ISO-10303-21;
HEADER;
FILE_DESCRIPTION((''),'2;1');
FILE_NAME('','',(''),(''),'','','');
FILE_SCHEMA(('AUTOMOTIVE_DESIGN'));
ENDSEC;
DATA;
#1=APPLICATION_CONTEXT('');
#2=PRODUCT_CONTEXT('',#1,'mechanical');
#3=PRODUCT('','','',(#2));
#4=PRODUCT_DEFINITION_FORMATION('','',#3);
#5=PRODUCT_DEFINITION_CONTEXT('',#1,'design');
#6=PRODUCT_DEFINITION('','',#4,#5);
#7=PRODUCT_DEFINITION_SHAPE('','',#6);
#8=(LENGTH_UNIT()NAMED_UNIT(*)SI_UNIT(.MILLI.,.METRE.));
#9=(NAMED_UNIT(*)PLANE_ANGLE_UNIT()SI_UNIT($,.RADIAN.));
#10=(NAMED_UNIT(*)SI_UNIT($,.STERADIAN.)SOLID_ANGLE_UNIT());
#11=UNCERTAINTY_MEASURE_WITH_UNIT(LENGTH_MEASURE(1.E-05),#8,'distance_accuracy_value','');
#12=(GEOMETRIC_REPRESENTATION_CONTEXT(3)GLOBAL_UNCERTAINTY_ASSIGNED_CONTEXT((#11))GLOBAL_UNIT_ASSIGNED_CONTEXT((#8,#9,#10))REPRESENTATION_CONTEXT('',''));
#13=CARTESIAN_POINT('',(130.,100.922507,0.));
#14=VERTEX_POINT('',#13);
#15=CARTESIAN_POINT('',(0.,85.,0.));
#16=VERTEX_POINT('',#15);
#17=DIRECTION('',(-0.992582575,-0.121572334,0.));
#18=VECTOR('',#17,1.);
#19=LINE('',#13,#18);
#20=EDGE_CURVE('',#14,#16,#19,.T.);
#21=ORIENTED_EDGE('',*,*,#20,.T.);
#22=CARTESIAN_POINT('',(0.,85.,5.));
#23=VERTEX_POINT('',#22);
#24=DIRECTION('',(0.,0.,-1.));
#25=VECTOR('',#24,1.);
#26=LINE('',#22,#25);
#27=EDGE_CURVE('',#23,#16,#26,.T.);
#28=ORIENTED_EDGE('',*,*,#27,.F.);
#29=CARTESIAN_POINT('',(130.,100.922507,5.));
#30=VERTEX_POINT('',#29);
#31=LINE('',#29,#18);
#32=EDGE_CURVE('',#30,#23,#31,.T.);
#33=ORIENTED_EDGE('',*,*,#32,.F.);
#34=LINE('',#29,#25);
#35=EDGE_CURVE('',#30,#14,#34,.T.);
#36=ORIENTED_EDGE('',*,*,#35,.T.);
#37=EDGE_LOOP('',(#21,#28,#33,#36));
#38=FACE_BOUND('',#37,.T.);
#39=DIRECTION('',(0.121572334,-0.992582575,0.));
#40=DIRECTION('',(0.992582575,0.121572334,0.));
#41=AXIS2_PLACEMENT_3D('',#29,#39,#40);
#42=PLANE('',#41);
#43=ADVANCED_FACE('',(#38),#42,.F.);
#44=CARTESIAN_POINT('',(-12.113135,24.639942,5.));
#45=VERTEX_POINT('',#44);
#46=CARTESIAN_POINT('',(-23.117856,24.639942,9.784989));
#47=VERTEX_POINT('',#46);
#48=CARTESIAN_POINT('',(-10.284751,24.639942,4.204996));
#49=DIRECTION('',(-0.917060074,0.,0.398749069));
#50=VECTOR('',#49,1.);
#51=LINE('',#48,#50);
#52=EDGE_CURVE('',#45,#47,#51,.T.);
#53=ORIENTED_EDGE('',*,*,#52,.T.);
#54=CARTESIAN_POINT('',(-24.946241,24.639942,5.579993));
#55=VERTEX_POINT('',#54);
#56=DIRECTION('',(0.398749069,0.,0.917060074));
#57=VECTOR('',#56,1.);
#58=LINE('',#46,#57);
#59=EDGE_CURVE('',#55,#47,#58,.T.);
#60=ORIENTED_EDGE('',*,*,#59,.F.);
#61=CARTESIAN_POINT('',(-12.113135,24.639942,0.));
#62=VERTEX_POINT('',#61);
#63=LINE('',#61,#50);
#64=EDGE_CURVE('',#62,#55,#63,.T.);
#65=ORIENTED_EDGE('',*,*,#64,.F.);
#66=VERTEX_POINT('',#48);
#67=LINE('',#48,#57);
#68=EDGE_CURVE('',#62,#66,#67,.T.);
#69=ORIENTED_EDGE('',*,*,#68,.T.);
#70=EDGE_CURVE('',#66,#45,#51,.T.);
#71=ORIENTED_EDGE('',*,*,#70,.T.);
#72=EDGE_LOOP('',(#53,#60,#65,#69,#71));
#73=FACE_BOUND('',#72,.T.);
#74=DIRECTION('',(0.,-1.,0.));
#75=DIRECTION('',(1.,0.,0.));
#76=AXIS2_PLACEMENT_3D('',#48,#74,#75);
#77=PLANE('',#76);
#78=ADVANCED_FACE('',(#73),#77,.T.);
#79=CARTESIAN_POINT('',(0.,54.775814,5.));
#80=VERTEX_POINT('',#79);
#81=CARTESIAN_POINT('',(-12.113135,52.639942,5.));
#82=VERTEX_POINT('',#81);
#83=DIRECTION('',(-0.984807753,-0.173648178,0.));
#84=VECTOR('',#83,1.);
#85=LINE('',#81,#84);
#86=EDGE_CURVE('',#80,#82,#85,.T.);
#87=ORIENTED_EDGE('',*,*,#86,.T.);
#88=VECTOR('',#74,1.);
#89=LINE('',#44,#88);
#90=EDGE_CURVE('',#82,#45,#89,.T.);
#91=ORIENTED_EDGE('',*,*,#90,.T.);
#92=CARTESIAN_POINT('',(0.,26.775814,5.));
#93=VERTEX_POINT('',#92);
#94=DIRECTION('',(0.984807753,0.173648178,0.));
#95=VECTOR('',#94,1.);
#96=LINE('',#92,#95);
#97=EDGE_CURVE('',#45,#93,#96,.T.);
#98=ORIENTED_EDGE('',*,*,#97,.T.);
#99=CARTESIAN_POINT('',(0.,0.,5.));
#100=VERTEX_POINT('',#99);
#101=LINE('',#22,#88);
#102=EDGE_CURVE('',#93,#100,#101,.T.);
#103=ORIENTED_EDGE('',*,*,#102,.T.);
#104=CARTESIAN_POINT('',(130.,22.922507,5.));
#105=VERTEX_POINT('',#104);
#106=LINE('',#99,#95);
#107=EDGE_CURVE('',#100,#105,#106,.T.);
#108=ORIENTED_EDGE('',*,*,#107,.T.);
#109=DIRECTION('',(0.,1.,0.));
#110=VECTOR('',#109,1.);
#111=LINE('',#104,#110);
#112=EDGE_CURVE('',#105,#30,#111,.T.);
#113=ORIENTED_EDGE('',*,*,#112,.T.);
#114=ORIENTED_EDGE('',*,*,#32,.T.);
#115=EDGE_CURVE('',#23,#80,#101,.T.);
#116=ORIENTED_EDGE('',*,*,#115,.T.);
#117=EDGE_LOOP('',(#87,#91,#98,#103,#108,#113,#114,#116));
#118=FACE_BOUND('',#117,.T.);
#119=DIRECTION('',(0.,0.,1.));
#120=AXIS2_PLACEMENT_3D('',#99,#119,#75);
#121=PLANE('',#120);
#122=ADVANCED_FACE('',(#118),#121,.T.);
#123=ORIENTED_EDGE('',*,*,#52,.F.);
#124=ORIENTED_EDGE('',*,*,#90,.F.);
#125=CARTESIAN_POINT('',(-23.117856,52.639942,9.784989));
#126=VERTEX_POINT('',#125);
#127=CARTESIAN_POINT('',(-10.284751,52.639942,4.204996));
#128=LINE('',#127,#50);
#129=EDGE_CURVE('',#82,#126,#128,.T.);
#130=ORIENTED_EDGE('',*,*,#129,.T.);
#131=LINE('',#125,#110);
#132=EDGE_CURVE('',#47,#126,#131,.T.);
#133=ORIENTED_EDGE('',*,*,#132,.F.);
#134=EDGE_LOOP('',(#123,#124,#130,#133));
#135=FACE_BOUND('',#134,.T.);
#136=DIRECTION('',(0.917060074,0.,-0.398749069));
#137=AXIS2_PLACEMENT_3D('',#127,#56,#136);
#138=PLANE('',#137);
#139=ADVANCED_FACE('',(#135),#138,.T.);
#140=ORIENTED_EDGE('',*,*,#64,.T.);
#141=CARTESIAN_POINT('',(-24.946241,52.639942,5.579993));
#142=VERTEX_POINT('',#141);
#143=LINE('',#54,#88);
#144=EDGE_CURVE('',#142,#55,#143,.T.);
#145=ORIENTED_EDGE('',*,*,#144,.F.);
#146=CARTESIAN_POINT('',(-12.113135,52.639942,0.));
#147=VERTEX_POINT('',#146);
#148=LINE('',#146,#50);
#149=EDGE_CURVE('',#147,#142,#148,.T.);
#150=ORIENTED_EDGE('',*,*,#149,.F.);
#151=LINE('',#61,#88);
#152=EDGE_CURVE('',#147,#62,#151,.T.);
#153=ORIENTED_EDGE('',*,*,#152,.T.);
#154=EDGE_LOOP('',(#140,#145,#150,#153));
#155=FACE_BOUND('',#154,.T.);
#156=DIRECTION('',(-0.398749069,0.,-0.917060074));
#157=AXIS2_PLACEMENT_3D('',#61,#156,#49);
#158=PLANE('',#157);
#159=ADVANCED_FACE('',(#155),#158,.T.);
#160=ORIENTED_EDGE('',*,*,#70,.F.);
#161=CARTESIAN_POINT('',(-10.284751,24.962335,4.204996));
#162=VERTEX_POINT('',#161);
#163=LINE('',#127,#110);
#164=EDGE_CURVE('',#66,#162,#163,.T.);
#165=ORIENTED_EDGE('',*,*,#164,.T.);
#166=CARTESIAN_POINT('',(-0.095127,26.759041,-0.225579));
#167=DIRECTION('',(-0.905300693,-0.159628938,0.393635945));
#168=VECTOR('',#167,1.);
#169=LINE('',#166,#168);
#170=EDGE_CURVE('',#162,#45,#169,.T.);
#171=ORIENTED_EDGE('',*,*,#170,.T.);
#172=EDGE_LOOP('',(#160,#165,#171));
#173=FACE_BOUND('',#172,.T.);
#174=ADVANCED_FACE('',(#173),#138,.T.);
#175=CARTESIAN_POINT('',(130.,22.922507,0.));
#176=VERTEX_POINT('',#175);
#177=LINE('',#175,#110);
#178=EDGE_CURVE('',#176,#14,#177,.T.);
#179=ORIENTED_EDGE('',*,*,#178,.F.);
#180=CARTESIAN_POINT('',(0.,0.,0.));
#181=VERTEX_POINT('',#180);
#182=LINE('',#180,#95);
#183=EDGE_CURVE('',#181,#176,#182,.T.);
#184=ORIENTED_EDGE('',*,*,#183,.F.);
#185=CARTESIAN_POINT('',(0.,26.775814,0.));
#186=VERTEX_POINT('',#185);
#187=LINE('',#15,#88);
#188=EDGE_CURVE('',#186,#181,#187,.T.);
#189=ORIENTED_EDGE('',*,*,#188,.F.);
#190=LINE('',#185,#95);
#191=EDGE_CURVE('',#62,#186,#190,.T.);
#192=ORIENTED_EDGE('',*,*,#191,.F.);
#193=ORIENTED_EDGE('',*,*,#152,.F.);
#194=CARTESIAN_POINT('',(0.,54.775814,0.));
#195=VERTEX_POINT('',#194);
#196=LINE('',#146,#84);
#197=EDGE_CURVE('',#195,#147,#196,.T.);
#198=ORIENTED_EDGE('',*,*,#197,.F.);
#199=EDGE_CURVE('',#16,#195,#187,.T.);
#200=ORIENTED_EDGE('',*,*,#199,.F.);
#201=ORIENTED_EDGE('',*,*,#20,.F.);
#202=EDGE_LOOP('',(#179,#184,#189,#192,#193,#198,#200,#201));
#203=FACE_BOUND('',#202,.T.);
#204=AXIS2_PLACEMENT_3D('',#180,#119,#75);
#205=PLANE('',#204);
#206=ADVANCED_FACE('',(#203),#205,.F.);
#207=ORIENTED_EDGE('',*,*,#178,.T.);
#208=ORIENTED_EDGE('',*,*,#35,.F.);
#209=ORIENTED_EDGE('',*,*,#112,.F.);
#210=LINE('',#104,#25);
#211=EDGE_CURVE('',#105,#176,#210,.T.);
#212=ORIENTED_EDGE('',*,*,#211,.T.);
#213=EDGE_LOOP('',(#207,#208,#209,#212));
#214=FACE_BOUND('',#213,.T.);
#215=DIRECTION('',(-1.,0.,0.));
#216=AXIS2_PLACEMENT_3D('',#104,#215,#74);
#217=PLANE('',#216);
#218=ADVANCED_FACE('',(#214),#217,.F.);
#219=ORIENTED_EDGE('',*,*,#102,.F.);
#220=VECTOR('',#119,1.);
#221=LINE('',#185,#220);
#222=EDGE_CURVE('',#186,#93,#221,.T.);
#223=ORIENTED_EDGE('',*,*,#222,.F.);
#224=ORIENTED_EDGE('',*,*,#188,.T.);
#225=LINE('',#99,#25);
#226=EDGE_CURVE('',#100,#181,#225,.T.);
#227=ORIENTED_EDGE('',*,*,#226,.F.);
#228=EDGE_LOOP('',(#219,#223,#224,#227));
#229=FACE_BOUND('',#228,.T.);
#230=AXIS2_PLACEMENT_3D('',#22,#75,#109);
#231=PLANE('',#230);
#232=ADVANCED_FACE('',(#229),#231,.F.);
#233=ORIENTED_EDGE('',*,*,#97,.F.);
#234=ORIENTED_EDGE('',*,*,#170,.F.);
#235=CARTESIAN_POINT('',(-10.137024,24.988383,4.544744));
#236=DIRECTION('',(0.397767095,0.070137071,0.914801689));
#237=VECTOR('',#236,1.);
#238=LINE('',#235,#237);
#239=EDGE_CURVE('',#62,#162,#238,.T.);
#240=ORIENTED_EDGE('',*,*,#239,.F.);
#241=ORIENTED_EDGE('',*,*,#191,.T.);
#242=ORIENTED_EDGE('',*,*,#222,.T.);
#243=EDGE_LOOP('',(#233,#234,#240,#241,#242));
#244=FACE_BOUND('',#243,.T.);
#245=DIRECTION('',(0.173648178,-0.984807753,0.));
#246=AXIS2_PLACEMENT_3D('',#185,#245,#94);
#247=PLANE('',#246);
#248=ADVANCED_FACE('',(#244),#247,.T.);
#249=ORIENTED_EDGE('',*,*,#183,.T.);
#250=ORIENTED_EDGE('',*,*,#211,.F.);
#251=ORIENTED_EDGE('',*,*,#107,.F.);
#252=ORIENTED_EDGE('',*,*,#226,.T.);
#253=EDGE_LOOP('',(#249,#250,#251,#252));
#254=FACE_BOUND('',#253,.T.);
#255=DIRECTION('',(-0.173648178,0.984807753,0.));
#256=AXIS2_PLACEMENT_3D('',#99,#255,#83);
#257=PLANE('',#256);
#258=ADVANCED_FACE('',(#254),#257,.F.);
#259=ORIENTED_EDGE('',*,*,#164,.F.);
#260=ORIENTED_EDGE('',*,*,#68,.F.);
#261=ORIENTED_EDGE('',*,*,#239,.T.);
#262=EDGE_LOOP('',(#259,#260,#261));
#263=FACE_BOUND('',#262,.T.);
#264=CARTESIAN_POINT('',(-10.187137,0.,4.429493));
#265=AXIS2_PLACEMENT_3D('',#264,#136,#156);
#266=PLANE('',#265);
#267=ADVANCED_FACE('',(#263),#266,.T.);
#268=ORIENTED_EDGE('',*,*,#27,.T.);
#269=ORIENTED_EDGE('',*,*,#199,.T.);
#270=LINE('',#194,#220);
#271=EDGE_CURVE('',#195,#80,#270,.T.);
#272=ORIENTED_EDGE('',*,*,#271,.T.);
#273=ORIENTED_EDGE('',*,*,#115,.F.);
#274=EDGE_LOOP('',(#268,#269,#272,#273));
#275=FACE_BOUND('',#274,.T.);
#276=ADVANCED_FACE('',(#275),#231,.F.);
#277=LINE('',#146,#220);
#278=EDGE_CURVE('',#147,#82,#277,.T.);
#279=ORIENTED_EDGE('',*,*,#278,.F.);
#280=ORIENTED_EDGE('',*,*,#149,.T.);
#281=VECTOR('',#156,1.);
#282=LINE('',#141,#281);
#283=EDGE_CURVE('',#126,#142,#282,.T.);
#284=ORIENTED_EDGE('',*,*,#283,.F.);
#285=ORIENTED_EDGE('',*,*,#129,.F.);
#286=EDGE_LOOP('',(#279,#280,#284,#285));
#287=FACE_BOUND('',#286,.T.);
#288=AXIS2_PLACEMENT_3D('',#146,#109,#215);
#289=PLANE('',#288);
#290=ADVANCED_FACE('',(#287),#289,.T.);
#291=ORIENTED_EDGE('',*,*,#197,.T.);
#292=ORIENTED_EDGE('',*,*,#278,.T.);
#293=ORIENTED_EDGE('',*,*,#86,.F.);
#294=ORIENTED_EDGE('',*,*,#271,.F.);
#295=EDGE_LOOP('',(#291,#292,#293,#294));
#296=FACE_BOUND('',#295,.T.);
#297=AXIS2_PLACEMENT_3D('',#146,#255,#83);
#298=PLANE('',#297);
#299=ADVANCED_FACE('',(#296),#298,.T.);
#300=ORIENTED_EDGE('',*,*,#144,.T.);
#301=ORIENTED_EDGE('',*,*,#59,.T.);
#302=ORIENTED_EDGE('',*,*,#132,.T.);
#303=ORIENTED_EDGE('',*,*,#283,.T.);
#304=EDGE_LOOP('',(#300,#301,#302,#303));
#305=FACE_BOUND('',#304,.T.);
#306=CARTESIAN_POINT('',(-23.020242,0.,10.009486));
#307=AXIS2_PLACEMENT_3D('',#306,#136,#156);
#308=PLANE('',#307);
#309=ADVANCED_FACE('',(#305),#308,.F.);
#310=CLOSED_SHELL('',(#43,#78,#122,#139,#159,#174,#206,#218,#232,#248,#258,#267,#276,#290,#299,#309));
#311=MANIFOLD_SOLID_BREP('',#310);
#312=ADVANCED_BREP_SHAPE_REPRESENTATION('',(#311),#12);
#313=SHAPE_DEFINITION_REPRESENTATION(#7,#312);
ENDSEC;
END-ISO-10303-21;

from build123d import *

# Parameters (mm, degrees)
RESSALTO_EXTRUS_O1_DEPTH      = 5
RESSALTO_EXTRUS_O2_DEPTH      = 5
RESSALTO_EXTRUS_O3_DEPTH      = 12
RESSALTO_EXTRUS_O3_DEPTH_BACK = 1.993745
ESBO_O4_W                     = 28
ESBO_O4_H                     = 4.585300372


with BuildPart() as part:
    # Esboço1 → Ressalto-extrusão1 (new body)
    with BuildSketch(Plane.XY):
        Polygon((0, 85), (0, 0), (130, 22.922507492), (130, 100.922507492), align=None)
    extrude(amount=RESSALTO_EXTRUS_O1_DEPTH)

    # Esboço3 → Ressalto-extrusão2 (add)
    with BuildSketch(Plane.XY.offset(5)):
        Polygon((-12.113135362, 52.639941774), (0, 54.775814359), (0, 26.775814359), (-12.113135362, 24.639941774), align=None)
    extrude(amount=-RESSALTO_EXTRUS_O2_DEPTH)

    # Esboço4 → Ressalto-extrusão3 (add, two sides: drawn at the far end of the back side and taken through both)
    with BuildSketch(Plane(origin=(-12.015521161, 0, 5.224497292), x_dir=(0, -1, 0), z_dir=(-0.9170600743851252, 0, 0.39874906892524387)).offset(-RESSALTO_EXTRUS_O3_DEPTH_BACK)):
        with Locations((-38.639941774, -2.537451261)):
            Rectangle(ESBO_O4_W, ESBO_O4_H)
    extrude(amount=RESSALTO_EXTRUS_O3_DEPTH + RESSALTO_EXTRUS_O3_DEPTH_BACK)


solid = part.part
